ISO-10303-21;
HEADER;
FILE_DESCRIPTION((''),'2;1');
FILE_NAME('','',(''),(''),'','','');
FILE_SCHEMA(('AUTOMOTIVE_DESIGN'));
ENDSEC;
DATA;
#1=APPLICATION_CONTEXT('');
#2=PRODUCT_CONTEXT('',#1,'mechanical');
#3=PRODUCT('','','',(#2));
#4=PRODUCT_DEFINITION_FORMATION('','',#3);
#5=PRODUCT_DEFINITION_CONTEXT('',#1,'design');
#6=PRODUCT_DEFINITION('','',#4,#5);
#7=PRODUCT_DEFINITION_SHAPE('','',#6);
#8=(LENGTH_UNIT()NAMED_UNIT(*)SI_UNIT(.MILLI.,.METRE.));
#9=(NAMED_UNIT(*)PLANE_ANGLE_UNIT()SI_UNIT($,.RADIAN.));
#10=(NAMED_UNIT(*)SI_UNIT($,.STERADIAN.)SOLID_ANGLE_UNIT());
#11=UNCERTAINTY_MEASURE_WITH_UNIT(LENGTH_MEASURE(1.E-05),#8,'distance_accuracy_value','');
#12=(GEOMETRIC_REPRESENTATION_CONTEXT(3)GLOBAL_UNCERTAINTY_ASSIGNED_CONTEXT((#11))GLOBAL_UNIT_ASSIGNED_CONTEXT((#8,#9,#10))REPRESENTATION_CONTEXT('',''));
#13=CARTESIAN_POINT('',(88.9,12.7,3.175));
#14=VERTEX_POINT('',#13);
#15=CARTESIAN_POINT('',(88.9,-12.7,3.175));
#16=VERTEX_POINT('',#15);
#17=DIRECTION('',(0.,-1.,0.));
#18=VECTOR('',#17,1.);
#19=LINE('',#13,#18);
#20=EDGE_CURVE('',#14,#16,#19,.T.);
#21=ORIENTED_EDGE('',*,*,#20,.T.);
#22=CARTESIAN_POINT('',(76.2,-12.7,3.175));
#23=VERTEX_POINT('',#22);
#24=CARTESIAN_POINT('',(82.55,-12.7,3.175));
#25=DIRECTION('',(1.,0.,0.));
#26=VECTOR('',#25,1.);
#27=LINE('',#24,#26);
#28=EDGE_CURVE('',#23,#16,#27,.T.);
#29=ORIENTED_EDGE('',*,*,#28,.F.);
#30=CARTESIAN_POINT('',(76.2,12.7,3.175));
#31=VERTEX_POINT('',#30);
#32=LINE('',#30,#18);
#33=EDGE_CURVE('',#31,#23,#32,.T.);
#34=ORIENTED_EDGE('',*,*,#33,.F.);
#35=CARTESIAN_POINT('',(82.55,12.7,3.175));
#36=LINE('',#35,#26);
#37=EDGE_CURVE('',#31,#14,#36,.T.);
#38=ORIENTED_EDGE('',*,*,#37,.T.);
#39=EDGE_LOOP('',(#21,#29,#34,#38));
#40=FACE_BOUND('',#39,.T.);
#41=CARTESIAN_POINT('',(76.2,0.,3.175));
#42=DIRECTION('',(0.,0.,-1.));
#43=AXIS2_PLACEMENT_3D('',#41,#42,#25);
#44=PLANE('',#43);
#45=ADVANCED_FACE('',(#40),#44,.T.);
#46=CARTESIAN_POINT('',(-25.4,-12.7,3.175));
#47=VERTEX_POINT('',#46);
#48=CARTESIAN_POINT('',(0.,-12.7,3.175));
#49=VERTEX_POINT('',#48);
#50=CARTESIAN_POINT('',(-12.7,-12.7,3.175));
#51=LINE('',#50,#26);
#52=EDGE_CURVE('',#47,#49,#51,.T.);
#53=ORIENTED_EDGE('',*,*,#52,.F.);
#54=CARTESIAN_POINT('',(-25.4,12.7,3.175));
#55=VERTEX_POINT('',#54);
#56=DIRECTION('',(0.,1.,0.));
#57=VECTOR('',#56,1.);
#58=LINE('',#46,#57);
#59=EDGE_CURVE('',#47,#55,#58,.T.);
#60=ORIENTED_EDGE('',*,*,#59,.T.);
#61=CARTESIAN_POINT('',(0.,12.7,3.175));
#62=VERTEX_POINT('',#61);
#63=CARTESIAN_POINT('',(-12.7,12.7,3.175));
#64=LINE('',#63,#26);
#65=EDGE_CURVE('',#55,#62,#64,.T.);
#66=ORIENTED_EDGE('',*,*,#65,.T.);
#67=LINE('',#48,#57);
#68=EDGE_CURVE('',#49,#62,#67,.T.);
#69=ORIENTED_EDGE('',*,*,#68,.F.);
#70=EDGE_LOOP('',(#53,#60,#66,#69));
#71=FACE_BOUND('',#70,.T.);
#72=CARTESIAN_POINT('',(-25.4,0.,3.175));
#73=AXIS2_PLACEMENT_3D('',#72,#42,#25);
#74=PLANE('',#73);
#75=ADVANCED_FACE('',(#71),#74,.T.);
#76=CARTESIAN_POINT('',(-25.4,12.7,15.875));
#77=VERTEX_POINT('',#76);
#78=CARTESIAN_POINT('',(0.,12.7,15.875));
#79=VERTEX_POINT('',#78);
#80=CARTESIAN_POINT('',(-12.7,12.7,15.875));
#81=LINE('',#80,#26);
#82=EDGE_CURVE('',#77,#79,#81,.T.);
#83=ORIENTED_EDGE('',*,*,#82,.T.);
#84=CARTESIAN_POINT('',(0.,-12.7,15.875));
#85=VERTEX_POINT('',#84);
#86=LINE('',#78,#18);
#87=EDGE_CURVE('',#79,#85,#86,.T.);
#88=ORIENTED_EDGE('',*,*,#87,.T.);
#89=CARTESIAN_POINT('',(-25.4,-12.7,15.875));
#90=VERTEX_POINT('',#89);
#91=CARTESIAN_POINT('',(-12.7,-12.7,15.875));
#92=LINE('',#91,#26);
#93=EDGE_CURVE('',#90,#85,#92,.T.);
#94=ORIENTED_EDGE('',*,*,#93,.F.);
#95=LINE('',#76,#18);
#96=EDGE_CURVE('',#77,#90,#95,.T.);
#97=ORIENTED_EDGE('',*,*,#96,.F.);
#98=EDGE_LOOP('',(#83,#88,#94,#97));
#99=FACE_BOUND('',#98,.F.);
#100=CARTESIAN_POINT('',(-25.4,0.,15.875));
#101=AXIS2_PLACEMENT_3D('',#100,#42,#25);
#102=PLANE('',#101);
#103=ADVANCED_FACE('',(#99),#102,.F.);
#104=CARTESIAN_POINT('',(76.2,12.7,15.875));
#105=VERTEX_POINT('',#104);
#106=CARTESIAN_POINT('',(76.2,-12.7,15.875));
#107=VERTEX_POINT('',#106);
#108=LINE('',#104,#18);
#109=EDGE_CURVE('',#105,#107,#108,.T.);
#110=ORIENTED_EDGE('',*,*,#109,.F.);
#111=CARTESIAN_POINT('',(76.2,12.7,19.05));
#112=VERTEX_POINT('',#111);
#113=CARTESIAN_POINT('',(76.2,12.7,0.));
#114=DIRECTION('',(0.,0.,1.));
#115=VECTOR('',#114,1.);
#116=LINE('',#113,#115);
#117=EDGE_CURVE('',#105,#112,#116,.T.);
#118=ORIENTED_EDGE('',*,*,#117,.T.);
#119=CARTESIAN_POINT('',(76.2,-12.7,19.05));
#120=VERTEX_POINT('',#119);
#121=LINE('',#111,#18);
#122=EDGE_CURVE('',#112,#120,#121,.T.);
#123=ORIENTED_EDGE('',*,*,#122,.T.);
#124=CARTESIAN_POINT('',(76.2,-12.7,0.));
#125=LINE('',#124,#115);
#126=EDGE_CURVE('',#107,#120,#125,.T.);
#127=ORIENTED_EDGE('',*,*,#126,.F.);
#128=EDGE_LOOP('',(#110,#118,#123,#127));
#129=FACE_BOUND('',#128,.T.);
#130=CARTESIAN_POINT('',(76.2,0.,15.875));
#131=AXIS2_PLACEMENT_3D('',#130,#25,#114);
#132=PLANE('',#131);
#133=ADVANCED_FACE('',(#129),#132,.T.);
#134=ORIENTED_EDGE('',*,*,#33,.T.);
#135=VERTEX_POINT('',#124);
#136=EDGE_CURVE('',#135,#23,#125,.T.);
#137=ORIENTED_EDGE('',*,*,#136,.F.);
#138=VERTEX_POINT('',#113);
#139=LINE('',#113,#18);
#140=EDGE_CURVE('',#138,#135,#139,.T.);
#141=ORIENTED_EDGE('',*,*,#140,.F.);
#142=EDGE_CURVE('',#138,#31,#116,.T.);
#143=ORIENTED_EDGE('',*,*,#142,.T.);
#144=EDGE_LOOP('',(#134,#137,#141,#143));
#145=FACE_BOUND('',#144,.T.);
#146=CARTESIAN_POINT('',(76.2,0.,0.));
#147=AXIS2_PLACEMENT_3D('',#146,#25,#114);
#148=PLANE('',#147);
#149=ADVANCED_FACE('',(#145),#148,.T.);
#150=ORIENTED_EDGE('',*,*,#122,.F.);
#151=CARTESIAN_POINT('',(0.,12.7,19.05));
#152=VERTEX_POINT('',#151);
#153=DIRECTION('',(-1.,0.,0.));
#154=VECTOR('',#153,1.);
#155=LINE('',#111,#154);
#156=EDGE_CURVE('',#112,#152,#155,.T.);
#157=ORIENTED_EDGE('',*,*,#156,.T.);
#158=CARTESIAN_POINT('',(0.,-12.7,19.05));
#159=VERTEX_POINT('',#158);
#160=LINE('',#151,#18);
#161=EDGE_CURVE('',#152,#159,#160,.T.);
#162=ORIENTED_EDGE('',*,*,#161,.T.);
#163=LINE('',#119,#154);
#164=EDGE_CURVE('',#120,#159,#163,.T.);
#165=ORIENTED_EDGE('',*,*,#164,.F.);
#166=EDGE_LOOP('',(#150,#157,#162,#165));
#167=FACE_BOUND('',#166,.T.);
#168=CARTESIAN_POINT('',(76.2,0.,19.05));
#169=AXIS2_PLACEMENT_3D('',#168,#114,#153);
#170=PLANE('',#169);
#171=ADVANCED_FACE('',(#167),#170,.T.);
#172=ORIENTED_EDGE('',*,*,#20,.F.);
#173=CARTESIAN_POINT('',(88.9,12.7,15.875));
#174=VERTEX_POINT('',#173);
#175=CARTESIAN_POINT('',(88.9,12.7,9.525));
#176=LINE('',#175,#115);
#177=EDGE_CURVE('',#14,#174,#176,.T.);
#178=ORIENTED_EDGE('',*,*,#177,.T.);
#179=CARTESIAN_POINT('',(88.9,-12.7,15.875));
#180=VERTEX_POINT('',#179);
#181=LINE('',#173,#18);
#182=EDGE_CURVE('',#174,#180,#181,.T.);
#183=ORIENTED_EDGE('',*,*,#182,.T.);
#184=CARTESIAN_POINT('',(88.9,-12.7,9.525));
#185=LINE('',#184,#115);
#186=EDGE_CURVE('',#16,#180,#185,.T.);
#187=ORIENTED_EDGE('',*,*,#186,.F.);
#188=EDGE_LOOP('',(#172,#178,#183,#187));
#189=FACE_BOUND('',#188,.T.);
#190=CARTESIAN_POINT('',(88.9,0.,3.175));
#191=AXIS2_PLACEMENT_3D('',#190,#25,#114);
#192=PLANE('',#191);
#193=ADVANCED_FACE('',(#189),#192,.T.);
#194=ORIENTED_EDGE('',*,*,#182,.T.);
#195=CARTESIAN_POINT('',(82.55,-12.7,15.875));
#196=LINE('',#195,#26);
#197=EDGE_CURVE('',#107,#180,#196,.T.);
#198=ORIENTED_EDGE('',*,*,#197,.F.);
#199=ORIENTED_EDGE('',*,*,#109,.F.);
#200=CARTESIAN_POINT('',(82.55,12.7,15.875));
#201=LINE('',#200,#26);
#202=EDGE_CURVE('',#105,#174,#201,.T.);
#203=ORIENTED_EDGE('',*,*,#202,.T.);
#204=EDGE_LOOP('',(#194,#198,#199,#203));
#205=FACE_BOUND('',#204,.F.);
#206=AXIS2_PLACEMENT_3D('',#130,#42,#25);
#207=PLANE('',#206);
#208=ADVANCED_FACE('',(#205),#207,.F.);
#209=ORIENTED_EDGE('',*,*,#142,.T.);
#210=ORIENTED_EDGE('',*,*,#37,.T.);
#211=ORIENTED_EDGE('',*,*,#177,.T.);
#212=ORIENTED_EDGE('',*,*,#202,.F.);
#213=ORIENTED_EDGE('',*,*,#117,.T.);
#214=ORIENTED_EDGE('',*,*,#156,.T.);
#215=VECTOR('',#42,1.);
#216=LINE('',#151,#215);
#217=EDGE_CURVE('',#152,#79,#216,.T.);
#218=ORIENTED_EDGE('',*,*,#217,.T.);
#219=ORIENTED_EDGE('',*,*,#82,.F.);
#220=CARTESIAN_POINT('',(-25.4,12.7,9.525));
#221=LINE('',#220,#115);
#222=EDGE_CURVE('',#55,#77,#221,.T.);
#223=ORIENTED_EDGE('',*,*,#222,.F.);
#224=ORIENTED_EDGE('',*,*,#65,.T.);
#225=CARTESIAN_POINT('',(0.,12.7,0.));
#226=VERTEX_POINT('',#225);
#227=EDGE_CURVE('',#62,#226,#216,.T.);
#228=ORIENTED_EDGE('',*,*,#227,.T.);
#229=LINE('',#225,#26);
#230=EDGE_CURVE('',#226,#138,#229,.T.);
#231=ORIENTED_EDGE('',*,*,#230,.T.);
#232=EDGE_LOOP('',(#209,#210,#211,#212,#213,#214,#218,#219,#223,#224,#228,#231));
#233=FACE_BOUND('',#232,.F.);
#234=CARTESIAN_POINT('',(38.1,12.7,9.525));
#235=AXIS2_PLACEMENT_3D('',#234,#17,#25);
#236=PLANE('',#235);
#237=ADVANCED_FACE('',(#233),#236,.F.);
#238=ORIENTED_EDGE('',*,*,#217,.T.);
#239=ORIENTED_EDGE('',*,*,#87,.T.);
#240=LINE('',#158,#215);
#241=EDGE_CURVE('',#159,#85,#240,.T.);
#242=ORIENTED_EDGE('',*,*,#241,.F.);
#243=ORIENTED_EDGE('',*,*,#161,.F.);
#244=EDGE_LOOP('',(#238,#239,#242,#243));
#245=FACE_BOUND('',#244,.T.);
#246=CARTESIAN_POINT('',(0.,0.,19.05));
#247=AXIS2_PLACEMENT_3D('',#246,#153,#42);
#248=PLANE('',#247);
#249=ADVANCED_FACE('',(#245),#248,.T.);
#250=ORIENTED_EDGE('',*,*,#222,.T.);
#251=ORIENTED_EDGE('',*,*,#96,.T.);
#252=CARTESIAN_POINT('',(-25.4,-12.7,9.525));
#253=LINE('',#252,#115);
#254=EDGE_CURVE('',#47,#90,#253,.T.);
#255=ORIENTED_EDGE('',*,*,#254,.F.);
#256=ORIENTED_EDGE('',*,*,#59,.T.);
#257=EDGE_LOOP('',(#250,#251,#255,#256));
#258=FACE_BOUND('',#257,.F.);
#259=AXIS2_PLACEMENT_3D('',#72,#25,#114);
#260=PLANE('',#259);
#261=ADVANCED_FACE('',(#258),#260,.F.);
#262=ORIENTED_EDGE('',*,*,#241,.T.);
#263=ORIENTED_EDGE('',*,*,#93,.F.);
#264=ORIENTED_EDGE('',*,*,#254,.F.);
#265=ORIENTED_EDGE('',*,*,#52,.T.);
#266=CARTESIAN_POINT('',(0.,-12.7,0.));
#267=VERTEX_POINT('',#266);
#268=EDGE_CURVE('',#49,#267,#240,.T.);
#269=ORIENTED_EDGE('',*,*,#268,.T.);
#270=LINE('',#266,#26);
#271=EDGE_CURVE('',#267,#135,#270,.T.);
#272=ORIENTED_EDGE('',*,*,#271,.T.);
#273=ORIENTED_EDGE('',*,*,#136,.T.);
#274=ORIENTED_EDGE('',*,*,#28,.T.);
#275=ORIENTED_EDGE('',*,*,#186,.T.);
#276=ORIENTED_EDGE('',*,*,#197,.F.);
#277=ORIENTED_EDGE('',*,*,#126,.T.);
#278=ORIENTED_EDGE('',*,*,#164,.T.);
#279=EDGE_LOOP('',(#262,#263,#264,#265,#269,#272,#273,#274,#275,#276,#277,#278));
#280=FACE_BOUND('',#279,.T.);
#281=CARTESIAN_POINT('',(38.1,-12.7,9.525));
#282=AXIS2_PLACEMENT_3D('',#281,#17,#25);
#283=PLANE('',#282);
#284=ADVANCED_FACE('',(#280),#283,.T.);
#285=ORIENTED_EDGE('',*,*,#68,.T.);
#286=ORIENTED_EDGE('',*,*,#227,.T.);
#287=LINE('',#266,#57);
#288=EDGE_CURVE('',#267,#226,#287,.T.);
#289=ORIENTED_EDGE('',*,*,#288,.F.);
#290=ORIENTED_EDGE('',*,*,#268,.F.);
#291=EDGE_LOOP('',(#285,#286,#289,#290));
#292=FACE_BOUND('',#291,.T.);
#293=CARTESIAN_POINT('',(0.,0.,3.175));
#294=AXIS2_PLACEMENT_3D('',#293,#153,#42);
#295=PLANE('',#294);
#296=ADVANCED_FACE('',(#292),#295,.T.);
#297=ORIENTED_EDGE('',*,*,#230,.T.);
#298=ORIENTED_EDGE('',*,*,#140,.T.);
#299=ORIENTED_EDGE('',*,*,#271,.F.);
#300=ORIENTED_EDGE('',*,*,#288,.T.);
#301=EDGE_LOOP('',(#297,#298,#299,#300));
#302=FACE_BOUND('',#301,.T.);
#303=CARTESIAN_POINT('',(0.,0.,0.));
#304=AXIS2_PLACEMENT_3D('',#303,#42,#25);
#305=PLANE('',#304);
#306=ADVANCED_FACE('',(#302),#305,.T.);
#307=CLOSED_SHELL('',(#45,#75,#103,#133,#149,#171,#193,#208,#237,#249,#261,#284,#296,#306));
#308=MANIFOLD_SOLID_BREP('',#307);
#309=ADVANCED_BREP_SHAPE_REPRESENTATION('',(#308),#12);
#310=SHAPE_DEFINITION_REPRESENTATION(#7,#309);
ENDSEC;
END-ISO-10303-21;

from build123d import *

# Parameters (mm, degrees)
F0_W     = 25.4
F0_H     = 12.7
F0_W_2   = 12.7
F1_DEPTH = 12.7


with BuildPart() as f1:
    # F0 (on Front) → F1 (new body, symmetric)
    with BuildSketch(Plane.XZ):
        Polygon((0, 3.175), (0, 0), (76.2, 0), (76.2, 3.175), (76.2, 15.875), (76.2, 19.05), (0, 19.05), (0, 15.875), align=None)
        with Locations((-12.7, 9.525)):
            Rectangle(F0_W, F0_H)
        with Locations((82.55, 9.525)):
            Rectangle(F0_W_2, F0_H)
    extrude(amount=F1_DEPTH, both=True)


solid = f1.part
